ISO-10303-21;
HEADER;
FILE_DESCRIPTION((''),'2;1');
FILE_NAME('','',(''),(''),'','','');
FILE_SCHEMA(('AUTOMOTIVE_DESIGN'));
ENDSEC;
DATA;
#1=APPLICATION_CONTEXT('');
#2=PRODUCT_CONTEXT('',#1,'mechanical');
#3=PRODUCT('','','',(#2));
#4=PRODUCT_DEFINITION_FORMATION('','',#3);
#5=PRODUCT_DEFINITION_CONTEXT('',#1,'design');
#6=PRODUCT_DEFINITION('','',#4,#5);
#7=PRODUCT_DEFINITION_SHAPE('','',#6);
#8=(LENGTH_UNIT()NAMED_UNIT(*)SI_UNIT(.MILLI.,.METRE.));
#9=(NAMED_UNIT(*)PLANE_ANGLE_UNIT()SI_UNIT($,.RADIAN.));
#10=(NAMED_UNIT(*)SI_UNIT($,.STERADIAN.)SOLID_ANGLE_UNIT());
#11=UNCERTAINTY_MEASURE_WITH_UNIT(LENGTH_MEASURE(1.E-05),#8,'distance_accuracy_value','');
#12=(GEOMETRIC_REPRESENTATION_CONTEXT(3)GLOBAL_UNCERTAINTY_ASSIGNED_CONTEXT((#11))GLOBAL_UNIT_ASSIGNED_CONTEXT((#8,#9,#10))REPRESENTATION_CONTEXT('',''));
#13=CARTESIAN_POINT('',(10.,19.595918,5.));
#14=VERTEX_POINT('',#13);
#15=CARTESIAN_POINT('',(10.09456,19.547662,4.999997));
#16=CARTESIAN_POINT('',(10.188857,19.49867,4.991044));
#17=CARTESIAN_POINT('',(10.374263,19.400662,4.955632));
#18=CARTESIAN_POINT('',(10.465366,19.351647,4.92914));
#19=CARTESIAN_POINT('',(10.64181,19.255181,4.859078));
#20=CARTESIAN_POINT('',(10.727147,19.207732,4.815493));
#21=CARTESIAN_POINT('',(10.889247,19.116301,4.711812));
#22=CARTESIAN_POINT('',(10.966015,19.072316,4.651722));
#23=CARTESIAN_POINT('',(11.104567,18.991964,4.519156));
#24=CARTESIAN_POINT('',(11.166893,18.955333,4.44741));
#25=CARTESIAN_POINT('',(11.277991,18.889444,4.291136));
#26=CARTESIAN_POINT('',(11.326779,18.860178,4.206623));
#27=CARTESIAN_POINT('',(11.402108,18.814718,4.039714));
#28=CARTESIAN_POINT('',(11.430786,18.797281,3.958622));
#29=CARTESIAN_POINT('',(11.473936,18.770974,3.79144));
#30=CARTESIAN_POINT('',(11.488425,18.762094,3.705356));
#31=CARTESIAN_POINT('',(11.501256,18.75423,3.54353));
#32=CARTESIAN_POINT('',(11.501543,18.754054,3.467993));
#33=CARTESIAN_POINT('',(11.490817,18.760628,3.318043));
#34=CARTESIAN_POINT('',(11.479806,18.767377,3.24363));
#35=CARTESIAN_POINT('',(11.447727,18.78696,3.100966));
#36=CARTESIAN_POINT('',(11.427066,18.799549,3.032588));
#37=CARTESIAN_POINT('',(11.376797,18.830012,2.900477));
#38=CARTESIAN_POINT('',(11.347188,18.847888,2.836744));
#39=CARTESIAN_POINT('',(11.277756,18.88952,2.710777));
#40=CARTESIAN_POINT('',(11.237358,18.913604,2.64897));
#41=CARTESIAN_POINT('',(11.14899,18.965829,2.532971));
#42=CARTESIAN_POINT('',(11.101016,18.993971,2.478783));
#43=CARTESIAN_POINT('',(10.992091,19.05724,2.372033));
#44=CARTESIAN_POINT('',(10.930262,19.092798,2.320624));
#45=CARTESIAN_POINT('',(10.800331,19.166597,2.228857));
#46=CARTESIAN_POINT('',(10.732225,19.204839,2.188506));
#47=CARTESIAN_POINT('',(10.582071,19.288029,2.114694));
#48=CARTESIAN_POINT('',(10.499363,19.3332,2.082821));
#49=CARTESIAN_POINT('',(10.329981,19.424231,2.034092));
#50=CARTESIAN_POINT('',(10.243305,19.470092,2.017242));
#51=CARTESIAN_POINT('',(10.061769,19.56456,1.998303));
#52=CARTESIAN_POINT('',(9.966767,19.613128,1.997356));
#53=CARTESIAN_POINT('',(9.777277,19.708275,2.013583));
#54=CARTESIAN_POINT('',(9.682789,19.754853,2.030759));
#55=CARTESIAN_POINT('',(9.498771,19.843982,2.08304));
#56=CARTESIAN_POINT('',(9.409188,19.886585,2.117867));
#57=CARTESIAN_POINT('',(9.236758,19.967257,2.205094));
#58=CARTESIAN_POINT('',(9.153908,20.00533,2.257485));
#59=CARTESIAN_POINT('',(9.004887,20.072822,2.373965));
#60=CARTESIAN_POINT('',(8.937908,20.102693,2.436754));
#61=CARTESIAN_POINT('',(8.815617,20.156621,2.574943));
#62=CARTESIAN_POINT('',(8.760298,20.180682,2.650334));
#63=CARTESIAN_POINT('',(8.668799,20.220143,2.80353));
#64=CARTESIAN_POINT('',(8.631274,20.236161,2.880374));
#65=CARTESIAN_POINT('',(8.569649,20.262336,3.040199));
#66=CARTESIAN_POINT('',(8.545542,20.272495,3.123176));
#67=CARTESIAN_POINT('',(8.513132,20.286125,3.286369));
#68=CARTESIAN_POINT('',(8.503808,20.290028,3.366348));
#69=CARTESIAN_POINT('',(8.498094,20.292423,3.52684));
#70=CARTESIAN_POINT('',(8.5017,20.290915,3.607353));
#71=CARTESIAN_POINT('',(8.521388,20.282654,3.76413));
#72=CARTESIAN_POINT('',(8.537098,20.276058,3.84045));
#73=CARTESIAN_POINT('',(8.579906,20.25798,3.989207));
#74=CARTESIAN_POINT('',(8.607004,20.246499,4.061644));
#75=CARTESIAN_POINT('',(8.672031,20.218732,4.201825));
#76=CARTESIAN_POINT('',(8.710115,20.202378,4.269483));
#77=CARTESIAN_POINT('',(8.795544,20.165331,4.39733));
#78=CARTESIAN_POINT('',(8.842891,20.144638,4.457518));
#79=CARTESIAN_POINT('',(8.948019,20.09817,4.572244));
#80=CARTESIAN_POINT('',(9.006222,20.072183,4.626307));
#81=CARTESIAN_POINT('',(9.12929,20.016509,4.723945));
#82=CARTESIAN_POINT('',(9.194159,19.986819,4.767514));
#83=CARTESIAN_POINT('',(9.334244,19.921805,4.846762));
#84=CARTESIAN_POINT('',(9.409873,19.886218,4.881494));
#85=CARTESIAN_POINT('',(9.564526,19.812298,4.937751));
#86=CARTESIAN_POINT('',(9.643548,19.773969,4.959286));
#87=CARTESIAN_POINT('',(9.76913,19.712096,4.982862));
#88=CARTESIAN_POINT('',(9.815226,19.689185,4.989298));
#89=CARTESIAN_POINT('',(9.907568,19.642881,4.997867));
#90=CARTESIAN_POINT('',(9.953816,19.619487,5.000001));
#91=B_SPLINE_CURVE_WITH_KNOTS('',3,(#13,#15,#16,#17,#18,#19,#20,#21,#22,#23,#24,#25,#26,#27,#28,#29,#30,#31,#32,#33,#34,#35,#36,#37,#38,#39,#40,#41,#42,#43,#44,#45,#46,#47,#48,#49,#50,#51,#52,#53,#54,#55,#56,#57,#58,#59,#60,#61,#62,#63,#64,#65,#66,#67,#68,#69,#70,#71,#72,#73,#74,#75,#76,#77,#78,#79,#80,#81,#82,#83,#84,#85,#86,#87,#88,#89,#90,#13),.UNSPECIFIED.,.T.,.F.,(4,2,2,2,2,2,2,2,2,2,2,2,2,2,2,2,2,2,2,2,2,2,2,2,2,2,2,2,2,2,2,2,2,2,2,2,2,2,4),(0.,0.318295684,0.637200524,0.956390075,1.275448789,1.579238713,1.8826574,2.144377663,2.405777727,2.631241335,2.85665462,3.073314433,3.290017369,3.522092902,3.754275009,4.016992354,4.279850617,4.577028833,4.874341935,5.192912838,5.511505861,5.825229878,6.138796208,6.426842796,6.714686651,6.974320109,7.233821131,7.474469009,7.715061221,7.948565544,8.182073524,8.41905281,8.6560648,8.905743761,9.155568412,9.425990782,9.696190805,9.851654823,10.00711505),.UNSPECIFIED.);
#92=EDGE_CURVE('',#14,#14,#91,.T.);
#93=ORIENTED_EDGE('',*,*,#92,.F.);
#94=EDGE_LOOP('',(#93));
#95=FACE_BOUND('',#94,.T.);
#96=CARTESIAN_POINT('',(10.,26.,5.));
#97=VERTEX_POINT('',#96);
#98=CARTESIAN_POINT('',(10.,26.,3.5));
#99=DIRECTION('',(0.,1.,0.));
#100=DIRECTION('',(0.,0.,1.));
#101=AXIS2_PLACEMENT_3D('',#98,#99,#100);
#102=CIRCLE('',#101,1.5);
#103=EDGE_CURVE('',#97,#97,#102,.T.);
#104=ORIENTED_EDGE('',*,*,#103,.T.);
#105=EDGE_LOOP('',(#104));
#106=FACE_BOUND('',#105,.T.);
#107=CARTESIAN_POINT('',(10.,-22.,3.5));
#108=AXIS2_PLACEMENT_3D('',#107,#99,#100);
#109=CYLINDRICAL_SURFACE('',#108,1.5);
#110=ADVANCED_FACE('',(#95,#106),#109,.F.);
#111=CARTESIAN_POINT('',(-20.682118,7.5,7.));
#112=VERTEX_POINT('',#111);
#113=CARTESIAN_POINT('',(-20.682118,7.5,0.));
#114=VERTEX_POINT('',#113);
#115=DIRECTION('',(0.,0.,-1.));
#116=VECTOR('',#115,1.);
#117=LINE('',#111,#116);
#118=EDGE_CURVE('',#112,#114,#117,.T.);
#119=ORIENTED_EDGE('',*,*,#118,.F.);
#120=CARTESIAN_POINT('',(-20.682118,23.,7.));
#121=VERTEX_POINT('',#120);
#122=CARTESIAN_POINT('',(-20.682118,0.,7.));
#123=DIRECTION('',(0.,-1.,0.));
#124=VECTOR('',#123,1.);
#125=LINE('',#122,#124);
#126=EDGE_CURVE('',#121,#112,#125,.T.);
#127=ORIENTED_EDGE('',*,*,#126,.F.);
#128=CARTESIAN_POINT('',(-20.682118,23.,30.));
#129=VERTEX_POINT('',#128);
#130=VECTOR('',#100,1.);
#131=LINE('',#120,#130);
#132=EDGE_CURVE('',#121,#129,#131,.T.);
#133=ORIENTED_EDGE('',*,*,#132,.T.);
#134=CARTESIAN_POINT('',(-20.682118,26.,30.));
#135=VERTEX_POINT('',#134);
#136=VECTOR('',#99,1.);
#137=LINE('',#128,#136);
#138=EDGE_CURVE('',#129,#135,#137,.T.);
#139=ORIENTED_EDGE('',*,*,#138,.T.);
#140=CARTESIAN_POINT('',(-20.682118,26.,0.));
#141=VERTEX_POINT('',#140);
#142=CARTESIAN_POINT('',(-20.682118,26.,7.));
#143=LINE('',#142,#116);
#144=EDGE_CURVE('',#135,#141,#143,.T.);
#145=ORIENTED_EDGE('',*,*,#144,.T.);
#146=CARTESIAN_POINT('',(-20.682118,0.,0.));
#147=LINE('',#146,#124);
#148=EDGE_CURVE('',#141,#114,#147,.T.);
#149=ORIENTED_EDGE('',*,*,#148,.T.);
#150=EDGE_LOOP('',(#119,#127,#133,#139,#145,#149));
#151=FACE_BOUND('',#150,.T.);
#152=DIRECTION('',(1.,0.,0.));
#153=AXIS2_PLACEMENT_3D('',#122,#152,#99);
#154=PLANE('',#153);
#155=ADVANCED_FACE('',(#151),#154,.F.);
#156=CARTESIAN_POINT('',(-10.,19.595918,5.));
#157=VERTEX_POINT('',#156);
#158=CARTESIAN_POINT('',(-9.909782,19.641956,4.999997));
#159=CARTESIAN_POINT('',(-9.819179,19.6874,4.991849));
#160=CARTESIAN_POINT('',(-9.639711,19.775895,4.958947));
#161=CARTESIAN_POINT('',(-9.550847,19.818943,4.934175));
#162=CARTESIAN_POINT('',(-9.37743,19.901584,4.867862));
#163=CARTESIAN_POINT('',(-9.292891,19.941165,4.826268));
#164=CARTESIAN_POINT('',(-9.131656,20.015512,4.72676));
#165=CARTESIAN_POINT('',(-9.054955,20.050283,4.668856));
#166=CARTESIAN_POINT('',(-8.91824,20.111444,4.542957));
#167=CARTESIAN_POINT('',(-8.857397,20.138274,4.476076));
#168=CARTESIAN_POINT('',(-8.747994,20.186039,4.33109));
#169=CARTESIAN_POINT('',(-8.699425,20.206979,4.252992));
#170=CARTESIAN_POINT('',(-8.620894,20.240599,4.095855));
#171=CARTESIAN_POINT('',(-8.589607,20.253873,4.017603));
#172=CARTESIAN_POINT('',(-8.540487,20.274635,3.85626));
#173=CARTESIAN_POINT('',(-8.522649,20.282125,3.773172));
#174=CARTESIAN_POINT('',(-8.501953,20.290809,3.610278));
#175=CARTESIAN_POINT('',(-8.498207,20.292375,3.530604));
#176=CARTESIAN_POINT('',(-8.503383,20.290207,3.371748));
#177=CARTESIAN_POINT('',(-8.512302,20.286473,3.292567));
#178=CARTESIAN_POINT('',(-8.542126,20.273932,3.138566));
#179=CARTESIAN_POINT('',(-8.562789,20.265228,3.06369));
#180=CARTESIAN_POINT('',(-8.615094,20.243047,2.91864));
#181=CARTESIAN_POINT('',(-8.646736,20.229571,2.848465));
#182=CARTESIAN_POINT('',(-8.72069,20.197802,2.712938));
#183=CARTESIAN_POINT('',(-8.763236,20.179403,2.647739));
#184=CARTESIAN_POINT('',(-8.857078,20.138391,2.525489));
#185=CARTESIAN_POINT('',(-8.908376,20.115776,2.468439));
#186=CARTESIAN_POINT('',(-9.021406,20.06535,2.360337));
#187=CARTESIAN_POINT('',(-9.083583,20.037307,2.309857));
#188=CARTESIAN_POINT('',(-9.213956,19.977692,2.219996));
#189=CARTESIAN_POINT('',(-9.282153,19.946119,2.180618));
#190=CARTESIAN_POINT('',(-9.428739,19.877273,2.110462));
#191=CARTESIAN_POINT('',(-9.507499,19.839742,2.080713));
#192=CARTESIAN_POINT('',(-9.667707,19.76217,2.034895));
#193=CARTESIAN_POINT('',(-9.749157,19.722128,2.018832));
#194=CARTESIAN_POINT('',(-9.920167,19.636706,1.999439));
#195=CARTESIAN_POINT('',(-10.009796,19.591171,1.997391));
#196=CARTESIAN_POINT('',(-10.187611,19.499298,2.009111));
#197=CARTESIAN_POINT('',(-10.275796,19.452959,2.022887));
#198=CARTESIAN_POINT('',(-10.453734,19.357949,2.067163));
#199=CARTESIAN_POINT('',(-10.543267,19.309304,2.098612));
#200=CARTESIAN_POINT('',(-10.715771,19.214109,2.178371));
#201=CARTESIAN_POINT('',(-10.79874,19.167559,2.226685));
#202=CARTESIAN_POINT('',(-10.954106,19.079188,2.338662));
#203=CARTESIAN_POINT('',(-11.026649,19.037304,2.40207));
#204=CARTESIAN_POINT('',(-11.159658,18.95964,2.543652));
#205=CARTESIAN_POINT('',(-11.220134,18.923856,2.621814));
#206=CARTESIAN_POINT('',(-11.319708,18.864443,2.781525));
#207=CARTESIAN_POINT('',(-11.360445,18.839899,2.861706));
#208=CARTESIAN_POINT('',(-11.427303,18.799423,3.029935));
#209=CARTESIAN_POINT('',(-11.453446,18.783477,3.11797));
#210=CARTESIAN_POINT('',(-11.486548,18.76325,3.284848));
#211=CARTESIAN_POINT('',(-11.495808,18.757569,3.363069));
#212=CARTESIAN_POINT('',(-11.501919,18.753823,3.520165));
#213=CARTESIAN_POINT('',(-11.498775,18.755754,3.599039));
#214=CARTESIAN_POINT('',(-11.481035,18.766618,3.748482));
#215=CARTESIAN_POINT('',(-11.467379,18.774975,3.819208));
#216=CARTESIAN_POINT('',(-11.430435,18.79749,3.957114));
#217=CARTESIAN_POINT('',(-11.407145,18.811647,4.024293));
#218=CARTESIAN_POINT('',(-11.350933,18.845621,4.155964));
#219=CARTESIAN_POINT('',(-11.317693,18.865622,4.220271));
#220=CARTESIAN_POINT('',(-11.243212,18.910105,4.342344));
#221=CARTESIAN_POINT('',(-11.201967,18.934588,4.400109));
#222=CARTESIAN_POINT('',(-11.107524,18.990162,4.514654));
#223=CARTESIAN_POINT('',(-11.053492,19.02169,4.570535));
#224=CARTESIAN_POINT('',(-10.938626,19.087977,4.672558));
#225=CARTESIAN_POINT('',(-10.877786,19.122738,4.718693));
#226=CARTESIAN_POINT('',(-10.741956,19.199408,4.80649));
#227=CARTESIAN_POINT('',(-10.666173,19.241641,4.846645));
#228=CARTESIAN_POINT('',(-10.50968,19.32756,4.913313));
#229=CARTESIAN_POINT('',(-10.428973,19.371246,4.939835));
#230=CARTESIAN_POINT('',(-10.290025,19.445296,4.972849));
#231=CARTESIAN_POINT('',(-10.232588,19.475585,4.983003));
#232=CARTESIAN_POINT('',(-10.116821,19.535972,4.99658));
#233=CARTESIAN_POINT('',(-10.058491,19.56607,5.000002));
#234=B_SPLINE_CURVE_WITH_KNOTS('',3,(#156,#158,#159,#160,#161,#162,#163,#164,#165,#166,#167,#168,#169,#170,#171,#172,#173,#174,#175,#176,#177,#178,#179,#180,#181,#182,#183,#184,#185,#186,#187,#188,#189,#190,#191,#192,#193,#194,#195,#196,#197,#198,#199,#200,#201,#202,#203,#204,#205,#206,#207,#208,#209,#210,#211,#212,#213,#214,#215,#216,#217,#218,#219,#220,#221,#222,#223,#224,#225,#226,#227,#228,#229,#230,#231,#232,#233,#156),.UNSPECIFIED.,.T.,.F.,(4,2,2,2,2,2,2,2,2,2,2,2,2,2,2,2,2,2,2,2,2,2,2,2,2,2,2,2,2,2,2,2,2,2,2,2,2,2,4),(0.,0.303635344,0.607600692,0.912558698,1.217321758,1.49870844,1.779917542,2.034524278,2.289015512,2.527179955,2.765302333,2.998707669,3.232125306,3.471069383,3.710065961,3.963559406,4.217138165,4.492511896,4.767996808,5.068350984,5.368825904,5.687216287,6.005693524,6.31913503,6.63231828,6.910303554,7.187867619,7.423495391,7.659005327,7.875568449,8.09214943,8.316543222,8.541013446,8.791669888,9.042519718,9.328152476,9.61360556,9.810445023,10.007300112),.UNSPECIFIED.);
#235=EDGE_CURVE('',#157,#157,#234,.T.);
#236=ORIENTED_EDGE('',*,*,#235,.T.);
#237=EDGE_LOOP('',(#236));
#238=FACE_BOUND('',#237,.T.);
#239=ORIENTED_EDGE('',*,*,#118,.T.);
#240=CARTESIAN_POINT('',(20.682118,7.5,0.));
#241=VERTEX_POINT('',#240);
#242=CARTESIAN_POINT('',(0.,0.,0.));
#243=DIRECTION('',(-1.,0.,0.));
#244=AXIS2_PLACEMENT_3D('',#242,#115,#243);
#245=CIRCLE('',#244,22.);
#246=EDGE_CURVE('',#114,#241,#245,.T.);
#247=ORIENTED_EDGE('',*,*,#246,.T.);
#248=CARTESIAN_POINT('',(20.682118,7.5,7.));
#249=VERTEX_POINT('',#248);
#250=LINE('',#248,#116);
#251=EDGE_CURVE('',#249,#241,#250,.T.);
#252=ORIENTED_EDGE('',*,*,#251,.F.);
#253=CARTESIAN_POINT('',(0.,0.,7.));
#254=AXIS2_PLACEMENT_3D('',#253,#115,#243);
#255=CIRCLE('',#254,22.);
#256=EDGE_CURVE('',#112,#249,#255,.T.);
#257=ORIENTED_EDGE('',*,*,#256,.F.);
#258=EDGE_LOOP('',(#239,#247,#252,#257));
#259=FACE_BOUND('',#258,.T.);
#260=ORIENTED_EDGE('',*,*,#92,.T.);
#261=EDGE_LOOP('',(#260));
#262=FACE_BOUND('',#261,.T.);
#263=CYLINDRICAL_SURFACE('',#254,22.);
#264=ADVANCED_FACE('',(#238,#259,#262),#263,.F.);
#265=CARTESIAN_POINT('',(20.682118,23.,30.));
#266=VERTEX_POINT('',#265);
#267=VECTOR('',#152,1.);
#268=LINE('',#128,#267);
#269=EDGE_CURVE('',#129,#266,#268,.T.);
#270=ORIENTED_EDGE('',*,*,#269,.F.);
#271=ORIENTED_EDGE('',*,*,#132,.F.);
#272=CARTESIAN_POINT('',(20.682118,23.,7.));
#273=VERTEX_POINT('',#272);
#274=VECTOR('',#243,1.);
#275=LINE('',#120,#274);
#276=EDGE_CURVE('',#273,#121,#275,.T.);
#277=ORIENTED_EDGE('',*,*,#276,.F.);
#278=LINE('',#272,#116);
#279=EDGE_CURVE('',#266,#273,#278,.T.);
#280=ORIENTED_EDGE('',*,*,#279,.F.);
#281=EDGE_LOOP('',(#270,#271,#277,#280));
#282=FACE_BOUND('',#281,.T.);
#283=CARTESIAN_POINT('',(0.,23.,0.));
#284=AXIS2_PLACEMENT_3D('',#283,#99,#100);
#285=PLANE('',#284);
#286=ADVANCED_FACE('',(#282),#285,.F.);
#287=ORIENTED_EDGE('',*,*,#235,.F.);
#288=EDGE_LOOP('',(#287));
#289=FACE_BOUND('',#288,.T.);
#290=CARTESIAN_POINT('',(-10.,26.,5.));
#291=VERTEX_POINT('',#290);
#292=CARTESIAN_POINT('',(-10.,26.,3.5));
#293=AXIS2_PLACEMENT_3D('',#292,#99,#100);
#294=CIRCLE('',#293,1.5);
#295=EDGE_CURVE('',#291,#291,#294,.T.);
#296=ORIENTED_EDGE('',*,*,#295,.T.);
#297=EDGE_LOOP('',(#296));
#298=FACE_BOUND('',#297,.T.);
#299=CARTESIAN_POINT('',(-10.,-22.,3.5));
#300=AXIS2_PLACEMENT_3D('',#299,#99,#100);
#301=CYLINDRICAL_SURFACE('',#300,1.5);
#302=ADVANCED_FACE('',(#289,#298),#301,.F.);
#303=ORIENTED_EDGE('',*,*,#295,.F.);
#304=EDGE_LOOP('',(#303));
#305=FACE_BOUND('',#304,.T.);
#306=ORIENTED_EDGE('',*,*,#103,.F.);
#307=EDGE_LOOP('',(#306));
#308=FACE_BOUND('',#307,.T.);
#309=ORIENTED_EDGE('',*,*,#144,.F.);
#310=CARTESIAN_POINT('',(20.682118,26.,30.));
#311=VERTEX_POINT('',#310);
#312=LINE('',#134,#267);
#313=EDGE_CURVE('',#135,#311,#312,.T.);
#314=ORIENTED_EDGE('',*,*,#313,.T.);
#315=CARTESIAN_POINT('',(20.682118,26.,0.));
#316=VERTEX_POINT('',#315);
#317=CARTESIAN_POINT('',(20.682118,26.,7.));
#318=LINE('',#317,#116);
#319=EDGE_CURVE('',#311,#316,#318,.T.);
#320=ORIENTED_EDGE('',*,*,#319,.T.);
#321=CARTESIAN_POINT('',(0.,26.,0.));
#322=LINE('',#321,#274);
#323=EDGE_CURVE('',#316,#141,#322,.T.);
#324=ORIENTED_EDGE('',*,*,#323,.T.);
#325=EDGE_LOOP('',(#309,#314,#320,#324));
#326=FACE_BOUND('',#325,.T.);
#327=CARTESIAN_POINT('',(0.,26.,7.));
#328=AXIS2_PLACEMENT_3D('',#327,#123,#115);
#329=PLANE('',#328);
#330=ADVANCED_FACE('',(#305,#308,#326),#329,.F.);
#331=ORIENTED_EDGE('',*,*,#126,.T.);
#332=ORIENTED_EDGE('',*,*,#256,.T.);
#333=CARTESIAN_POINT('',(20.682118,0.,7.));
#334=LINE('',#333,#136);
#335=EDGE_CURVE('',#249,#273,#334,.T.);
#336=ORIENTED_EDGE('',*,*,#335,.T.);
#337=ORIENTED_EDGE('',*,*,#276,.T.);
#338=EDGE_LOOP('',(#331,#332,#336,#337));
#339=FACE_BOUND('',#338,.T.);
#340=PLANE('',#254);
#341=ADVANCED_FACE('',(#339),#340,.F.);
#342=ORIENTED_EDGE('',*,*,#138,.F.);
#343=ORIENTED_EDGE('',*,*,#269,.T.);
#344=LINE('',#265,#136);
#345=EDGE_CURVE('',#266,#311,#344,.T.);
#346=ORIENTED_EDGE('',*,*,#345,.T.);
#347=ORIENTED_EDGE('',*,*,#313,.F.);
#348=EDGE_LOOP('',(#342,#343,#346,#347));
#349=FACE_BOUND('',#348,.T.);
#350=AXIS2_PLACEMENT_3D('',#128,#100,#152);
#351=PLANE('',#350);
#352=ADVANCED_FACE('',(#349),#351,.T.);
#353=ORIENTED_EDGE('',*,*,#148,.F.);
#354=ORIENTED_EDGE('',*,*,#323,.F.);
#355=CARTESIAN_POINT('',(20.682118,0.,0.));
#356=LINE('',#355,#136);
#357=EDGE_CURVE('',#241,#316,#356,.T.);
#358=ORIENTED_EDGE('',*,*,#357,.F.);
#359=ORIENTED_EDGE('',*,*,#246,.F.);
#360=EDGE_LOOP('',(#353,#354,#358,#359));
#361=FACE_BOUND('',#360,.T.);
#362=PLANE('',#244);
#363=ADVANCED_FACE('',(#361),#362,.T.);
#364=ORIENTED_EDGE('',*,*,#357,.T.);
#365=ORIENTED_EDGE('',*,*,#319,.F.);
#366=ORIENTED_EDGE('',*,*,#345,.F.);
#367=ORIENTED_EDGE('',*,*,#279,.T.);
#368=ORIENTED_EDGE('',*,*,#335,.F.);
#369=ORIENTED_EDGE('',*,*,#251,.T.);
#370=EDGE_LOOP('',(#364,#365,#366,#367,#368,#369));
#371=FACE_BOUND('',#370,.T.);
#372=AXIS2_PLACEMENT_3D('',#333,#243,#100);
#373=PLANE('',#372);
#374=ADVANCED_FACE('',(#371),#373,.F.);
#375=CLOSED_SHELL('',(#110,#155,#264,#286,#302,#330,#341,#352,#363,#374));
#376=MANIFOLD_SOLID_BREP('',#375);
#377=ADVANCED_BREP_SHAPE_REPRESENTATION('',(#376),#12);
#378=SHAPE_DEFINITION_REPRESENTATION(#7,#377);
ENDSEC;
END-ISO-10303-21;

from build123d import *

# Parameters (mm, degrees)
SKETCH1_R           = 22
BOSS_EXTRUDE1_DEPTH = 7
SKETCH2_W           = 41.36423576
SKETCH2_H           = 15
BOSS_EXTRUDE2_DEPTH = 23
BOSS_EXTRUDE3_DEPTH = 7
SKETCH4_W           = 41.36423576
SKETCH4_H           = 23
BOSS_EXTRUDE4_DEPTH = 3
SKETCH5_R           = 1.5
CUT_EXTRUDE1_DEPTH  = 61.728905803
SKETCH6_R           = 22
CUT_EXTRUDE2_DEPTH  = 46.387222977


with BuildPart() as part:
    # Sketch1 → Boss-Extrude1 (new body)
    with BuildSketch(Plane.XY):
        Circle(SKETCH1_R)
    extrude(amount=BOSS_EXTRUDE1_DEPTH)

    # Sketch2 → Boss-Extrude2 (add)
    with BuildSketch(Plane.XY.offset(7)):
        Rectangle(SKETCH2_W, SKETCH2_H)
    extrude(amount=BOSS_EXTRUDE2_DEPTH)


with BuildPart() as body_2:
    # Sketch3 → Boss-Extrude3 (new body)
    with BuildSketch(Plane(origin=(0, 0, 0), x_dir=(-1, 0, 0), z_dir=(0, 0, -1))):
        with BuildLine():
            Line((-20.68211788, 7.5), (-20.68211788, 26))
            Line((-20.68211788, 26), (20.68211788, 26))
            Line((20.68211788, 26), (20.68211788, 7.5))
            ThreePointArc((20.68211788, 7.5), (0, 22), (-20.68211788, 7.5))
        make_face()
    extrude(amount=-BOSS_EXTRUDE3_DEPTH)

    # Sketch4 → Boss-Extrude4 (add)
    with BuildSketch(Plane(origin=(0, 26, 0), x_dir=(1, 0, 0), z_dir=(0, 1, 0))):
        with Locations((0, -18.5)):
            Rectangle(SKETCH4_W, SKETCH4_H)
    extrude(amount=-BOSS_EXTRUDE4_DEPTH)


with BuildPart() as cut_extrude1_tool:
    # Sketch5 → Cut-Extrude1 (new, through all)
    with BuildSketch(Plane(origin=(0, 26, 0), x_dir=(1, 0, 0), z_dir=(0, 1, 0))):
        with Locations(Location((-10, -3.5, 0), (0, 0, 270))):
            Circle(SKETCH5_R)
        with Locations(Location((10, -3.5, 0), (0, 0, 270))):
            Circle(SKETCH5_R)
    extrude(amount=-CUT_EXTRUDE1_DEPTH)


with BuildPart() as part_1:
    add(part.part)

    # Cut-Extrude1: cut by cut_extrude1_tool
    add(cut_extrude1_tool.part, mode=Mode.SUBTRACT)

    # Sketch6 → Cut-Extrude2 (cut, through all)
    with BuildSketch(Plane(origin=(0, 0, 0), x_dir=(-1, 0, 0), z_dir=(0, 0, -1))):
        Circle(SKETCH6_R)
    extrude(amount=-CUT_EXTRUDE2_DEPTH, mode=Mode.SUBTRACT)


with BuildPart() as body_2_1:
    add(body_2.part)

    # Cut-Extrude1: cut by cut_extrude1_tool
    add(cut_extrude1_tool.part, mode=Mode.SUBTRACT)


solid = body_2_1.part
